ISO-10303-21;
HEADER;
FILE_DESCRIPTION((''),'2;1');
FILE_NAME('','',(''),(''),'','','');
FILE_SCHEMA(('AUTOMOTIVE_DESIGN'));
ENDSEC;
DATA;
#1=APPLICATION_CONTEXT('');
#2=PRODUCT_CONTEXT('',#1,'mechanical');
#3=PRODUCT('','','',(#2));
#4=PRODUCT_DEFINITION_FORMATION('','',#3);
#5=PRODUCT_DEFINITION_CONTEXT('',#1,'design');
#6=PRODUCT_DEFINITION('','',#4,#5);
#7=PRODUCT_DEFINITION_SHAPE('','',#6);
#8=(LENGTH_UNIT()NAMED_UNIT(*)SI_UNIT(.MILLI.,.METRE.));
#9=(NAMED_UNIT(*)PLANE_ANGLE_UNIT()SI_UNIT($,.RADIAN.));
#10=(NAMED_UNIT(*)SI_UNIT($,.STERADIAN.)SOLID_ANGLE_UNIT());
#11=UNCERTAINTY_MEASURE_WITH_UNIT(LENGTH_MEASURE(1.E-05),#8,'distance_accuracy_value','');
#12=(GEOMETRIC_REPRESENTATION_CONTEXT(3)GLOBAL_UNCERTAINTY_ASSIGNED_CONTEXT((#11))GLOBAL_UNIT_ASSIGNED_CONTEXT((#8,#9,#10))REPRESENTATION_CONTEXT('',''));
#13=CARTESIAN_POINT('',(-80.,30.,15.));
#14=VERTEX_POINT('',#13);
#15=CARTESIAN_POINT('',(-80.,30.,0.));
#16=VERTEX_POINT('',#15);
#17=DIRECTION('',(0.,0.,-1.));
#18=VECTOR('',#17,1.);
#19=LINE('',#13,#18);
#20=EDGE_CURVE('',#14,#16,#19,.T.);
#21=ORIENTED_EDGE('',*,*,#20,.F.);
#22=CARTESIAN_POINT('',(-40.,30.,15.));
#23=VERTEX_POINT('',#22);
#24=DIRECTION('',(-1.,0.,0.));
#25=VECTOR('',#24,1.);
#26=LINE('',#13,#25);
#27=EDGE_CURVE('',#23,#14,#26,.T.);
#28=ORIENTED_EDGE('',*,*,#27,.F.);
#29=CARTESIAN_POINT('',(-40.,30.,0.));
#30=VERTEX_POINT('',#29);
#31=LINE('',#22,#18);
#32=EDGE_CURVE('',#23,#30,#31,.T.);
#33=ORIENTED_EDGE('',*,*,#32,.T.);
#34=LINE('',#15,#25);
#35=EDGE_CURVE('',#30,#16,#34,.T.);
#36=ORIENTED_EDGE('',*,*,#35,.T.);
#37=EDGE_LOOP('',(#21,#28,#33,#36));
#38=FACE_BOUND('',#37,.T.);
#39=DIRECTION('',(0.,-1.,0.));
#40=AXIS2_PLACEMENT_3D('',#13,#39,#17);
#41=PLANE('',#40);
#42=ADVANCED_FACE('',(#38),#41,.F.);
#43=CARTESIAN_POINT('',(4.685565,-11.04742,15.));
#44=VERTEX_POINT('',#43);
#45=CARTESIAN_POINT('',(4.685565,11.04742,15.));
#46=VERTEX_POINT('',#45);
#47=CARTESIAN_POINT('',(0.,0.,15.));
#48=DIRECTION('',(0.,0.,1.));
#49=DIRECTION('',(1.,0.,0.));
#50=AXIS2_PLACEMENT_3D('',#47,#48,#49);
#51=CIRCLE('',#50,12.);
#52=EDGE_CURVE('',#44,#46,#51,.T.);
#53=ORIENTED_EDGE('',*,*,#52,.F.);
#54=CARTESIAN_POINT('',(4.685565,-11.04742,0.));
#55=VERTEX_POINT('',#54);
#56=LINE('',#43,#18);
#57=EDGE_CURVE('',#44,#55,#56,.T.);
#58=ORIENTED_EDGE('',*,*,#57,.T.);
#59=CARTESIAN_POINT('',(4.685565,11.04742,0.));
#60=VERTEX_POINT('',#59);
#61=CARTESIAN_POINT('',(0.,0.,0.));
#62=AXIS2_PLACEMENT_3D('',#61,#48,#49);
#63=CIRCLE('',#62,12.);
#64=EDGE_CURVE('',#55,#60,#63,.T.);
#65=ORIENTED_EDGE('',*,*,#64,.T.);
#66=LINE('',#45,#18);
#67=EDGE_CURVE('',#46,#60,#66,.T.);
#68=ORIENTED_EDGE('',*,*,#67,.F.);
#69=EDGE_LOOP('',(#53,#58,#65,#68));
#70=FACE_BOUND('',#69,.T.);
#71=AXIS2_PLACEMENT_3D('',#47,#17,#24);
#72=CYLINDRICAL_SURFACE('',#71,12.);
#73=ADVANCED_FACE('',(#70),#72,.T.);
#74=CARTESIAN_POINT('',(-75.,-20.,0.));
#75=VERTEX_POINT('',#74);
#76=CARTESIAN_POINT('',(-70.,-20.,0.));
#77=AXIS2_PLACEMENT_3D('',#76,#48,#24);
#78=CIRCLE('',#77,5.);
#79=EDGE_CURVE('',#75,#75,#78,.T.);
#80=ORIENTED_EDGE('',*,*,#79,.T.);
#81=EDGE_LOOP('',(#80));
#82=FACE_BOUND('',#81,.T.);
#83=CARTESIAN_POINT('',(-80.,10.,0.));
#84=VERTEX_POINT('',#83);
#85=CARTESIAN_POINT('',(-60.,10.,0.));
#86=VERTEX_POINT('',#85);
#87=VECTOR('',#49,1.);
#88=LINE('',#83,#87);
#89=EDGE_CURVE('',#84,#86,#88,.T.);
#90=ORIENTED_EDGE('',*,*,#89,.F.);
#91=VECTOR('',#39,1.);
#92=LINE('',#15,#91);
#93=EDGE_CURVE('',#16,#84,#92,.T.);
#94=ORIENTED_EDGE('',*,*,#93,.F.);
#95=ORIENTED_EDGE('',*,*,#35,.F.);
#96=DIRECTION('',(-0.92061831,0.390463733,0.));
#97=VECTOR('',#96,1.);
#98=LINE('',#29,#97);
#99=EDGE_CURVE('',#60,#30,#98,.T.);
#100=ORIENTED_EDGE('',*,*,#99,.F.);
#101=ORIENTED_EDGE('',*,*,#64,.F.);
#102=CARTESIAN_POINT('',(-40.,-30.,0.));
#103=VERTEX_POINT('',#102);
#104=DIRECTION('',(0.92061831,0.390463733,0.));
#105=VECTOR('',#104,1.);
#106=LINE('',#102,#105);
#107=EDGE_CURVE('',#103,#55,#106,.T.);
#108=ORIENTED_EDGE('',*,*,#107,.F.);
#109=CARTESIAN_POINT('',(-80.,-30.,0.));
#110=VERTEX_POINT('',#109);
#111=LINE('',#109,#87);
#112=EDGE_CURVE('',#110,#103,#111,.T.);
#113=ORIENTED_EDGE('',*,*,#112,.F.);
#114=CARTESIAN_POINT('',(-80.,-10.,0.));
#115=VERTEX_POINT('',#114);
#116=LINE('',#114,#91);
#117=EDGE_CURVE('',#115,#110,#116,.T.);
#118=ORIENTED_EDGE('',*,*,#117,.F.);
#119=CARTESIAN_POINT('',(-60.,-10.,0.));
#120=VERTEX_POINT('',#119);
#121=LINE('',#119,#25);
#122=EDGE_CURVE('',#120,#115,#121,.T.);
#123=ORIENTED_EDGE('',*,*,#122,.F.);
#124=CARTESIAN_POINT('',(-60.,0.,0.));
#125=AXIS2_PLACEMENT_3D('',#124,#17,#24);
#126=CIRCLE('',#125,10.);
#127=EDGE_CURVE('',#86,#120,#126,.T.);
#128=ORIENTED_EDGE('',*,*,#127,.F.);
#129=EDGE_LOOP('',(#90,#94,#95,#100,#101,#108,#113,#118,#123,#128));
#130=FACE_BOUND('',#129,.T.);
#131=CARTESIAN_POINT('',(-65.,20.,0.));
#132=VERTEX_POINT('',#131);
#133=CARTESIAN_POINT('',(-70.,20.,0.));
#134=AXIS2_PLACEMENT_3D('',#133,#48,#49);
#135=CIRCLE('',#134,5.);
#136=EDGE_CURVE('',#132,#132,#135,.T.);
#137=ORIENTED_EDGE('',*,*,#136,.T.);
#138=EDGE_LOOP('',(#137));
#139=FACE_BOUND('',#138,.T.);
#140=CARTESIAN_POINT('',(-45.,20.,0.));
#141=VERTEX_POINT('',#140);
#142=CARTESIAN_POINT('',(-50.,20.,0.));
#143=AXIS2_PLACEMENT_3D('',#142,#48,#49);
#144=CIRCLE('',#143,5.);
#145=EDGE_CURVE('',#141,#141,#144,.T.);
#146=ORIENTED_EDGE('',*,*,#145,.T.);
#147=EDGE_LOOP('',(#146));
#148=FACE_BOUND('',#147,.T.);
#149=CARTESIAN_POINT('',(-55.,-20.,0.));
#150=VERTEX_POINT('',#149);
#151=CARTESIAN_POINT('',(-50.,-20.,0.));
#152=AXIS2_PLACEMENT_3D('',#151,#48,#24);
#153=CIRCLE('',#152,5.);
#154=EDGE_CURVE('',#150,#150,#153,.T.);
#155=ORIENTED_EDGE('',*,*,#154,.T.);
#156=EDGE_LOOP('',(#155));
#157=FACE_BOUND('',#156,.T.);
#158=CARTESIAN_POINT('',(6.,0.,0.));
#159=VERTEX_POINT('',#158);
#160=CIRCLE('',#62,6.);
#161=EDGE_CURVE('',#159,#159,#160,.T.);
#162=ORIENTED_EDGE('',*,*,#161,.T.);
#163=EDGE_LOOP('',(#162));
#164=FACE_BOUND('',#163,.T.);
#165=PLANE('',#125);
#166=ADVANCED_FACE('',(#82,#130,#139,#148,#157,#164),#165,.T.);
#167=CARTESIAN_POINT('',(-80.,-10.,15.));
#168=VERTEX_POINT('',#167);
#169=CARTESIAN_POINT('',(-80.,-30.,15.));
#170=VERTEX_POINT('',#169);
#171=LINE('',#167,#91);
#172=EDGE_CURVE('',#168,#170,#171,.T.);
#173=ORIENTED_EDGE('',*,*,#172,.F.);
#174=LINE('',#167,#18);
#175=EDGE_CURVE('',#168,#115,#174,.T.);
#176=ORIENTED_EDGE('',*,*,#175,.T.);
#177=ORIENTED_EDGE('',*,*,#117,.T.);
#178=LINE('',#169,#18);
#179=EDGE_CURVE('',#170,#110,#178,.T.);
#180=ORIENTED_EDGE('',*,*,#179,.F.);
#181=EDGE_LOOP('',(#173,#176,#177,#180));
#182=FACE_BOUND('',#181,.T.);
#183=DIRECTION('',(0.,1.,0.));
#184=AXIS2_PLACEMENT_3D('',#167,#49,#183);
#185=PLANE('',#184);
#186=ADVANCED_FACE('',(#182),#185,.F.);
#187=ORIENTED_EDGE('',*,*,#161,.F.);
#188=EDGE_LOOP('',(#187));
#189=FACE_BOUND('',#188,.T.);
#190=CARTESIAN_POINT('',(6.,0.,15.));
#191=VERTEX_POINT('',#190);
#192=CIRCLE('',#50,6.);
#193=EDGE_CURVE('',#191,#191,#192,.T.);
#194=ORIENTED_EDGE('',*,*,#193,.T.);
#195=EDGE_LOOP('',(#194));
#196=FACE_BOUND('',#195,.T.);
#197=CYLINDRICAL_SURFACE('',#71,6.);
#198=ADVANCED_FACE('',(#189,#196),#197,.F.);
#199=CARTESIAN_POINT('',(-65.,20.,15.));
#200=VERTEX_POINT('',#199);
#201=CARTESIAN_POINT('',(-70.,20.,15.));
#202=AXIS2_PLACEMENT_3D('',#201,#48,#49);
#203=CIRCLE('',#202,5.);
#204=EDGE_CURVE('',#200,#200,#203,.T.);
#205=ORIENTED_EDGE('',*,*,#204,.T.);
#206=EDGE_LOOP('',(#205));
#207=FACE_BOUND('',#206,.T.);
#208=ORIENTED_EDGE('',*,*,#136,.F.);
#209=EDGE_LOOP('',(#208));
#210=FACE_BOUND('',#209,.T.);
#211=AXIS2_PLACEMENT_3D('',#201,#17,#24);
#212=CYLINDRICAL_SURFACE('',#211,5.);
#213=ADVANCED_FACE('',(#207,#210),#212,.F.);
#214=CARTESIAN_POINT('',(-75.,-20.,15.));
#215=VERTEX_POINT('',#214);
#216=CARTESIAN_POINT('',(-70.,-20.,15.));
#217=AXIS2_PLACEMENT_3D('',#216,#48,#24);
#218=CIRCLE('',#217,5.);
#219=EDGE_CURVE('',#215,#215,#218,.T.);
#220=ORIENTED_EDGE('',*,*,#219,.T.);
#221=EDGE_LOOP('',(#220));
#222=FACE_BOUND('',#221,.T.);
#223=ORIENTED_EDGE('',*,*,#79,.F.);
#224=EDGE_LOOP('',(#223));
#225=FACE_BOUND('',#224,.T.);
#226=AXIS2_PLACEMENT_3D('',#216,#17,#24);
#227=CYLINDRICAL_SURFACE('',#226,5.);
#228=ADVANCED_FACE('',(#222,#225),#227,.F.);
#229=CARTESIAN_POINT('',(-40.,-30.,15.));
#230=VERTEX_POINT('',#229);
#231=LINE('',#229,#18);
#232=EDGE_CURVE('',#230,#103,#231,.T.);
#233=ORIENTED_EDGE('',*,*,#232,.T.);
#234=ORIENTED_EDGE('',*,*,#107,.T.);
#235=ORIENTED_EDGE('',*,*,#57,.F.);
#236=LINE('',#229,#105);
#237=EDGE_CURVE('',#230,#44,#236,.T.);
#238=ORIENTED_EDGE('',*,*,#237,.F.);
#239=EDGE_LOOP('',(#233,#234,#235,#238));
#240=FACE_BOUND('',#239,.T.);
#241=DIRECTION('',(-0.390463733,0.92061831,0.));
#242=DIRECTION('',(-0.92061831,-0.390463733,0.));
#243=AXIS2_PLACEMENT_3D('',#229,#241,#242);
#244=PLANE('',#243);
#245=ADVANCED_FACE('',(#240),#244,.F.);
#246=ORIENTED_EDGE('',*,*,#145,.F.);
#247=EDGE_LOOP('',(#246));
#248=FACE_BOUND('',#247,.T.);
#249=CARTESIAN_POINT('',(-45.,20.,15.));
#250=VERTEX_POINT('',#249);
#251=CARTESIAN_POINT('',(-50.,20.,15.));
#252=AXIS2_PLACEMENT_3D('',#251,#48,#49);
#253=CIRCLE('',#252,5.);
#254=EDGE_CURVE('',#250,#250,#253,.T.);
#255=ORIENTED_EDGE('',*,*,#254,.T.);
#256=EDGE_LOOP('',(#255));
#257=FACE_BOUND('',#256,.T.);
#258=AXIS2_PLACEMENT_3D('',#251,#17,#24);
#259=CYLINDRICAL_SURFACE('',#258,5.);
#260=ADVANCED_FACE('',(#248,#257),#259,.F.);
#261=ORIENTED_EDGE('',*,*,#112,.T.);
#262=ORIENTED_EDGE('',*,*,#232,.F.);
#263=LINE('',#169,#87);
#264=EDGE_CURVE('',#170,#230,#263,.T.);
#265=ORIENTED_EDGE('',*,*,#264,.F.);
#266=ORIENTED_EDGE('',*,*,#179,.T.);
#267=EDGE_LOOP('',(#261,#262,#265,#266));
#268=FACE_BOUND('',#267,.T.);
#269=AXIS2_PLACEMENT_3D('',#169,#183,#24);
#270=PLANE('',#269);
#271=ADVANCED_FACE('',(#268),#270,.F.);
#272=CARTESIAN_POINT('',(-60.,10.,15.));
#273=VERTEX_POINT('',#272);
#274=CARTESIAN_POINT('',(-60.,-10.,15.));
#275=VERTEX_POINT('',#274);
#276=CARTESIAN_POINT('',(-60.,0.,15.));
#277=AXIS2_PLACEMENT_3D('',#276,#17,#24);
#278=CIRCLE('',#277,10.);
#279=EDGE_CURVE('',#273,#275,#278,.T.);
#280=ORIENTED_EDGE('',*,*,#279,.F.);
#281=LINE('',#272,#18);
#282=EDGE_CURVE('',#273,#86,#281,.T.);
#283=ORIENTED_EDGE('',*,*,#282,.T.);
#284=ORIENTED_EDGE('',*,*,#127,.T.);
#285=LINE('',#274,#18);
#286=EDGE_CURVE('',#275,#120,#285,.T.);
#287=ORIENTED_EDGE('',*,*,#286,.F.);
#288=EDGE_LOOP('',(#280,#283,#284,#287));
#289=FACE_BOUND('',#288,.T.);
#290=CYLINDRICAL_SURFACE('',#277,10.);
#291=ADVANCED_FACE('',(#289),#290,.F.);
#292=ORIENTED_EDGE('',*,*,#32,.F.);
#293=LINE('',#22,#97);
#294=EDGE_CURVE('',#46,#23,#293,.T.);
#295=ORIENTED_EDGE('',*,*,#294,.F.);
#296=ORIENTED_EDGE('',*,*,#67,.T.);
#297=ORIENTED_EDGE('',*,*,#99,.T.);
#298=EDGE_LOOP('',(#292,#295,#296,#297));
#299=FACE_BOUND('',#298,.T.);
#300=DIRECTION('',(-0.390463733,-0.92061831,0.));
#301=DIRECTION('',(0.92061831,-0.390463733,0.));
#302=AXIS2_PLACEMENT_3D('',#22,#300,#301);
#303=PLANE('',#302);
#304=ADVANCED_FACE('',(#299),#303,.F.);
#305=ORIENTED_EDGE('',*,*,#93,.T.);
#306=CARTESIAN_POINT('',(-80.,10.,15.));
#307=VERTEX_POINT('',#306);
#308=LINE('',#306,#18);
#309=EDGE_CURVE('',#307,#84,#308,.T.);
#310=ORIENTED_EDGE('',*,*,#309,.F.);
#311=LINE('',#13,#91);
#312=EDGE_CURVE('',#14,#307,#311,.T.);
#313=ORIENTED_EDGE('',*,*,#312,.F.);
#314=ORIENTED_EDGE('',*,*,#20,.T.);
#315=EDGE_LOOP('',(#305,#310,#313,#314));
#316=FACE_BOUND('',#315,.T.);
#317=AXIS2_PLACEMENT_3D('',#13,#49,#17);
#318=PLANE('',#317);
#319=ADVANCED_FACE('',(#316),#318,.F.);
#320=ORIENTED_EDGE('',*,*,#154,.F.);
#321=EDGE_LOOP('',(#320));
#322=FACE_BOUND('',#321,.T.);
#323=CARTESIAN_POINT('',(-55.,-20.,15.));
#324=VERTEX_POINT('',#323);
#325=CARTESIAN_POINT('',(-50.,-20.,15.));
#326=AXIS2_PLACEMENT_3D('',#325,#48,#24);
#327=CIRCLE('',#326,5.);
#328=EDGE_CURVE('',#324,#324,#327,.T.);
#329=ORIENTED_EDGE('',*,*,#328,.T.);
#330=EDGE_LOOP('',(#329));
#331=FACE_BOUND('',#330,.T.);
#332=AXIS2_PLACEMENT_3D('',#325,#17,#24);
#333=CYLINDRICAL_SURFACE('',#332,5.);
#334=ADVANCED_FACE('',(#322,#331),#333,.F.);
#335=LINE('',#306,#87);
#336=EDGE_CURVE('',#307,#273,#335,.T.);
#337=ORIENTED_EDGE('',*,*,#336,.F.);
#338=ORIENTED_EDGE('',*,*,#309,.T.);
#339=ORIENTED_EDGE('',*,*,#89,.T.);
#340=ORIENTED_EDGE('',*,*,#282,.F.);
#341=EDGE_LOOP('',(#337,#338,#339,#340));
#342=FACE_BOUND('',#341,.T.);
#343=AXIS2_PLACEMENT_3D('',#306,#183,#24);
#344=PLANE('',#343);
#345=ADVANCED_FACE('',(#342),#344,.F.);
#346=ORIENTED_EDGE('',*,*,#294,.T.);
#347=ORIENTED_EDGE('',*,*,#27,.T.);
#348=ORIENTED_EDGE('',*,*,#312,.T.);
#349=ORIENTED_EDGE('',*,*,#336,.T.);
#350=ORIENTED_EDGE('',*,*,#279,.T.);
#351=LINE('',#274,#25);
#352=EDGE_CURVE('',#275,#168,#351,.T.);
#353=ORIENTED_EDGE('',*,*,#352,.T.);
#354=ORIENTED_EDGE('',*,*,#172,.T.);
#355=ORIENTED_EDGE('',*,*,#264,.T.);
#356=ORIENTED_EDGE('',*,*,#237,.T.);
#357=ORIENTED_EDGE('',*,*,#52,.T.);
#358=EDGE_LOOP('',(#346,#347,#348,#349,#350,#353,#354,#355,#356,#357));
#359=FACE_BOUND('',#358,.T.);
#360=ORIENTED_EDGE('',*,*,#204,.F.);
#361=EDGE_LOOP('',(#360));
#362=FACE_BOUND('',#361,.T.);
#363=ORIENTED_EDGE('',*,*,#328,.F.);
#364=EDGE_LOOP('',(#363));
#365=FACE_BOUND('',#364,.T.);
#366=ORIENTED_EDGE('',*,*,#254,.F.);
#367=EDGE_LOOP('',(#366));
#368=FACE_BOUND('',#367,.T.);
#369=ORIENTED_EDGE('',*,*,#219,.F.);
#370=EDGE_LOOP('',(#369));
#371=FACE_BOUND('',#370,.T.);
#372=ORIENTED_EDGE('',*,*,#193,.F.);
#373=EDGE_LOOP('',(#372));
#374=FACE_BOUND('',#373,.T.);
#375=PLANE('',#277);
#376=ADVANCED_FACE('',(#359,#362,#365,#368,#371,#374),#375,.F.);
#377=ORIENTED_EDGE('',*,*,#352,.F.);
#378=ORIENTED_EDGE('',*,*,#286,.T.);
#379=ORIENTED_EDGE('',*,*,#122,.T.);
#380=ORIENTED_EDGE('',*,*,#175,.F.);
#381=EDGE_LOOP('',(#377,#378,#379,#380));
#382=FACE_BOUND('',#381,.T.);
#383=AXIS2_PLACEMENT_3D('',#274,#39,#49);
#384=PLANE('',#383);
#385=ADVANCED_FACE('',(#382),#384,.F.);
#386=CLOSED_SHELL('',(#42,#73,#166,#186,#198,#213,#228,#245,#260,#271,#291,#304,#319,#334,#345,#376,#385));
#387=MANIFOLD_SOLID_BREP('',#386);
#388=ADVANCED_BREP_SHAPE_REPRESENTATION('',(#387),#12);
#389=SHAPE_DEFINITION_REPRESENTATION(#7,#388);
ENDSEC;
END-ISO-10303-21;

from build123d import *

# Parameters (mm, degrees)
SKETCH1_R           = 6
SKETCH1_R_2         = 5
BOSS_EXTRUDE1_DEPTH = 15


with BuildPart() as part:
    # Sketch1 → Boss-Extrude1 (new body)
    with BuildSketch(Plane.XY):
        with BuildLine():
            Line((-80, 30), (-40, 30))
            Line((-40, 30), (4.685564793, 11.047419724))
            ThreePointArc((4.685564793, 11.047419724), (12, 0), (4.685564793, -11.047419724))
            Line((4.685564793, -11.047419724), (-40, -30))
            Line((-40, -30), (-80, -30))
            Line((-80, -30), (-80, -10))
            Line((-80, -10), (-60, -10))
            ThreePointArc((-60, -10), (-50, 0), (-60, 10))
            Line((-60, 10), (-80, 10))
            Line((-80, 10), (-80, 30))
        make_face()
        Circle(SKETCH1_R, mode=Mode.SUBTRACT)
        with Locations((-70, 20)):
            Circle(SKETCH1_R_2, mode=Mode.SUBTRACT)
        with Locations((-50, 20)):
            Circle(SKETCH1_R_2, mode=Mode.SUBTRACT)
        with Locations(Location((-70, -20, 0), (0, 0, 180))):
            Circle(SKETCH1_R_2, mode=Mode.SUBTRACT)
        with Locations(Location((-50, -20, 0), (0, 0, 180))):
            Circle(SKETCH1_R_2, mode=Mode.SUBTRACT)
    extrude(amount=BOSS_EXTRUDE1_DEPTH)


solid = part.part
